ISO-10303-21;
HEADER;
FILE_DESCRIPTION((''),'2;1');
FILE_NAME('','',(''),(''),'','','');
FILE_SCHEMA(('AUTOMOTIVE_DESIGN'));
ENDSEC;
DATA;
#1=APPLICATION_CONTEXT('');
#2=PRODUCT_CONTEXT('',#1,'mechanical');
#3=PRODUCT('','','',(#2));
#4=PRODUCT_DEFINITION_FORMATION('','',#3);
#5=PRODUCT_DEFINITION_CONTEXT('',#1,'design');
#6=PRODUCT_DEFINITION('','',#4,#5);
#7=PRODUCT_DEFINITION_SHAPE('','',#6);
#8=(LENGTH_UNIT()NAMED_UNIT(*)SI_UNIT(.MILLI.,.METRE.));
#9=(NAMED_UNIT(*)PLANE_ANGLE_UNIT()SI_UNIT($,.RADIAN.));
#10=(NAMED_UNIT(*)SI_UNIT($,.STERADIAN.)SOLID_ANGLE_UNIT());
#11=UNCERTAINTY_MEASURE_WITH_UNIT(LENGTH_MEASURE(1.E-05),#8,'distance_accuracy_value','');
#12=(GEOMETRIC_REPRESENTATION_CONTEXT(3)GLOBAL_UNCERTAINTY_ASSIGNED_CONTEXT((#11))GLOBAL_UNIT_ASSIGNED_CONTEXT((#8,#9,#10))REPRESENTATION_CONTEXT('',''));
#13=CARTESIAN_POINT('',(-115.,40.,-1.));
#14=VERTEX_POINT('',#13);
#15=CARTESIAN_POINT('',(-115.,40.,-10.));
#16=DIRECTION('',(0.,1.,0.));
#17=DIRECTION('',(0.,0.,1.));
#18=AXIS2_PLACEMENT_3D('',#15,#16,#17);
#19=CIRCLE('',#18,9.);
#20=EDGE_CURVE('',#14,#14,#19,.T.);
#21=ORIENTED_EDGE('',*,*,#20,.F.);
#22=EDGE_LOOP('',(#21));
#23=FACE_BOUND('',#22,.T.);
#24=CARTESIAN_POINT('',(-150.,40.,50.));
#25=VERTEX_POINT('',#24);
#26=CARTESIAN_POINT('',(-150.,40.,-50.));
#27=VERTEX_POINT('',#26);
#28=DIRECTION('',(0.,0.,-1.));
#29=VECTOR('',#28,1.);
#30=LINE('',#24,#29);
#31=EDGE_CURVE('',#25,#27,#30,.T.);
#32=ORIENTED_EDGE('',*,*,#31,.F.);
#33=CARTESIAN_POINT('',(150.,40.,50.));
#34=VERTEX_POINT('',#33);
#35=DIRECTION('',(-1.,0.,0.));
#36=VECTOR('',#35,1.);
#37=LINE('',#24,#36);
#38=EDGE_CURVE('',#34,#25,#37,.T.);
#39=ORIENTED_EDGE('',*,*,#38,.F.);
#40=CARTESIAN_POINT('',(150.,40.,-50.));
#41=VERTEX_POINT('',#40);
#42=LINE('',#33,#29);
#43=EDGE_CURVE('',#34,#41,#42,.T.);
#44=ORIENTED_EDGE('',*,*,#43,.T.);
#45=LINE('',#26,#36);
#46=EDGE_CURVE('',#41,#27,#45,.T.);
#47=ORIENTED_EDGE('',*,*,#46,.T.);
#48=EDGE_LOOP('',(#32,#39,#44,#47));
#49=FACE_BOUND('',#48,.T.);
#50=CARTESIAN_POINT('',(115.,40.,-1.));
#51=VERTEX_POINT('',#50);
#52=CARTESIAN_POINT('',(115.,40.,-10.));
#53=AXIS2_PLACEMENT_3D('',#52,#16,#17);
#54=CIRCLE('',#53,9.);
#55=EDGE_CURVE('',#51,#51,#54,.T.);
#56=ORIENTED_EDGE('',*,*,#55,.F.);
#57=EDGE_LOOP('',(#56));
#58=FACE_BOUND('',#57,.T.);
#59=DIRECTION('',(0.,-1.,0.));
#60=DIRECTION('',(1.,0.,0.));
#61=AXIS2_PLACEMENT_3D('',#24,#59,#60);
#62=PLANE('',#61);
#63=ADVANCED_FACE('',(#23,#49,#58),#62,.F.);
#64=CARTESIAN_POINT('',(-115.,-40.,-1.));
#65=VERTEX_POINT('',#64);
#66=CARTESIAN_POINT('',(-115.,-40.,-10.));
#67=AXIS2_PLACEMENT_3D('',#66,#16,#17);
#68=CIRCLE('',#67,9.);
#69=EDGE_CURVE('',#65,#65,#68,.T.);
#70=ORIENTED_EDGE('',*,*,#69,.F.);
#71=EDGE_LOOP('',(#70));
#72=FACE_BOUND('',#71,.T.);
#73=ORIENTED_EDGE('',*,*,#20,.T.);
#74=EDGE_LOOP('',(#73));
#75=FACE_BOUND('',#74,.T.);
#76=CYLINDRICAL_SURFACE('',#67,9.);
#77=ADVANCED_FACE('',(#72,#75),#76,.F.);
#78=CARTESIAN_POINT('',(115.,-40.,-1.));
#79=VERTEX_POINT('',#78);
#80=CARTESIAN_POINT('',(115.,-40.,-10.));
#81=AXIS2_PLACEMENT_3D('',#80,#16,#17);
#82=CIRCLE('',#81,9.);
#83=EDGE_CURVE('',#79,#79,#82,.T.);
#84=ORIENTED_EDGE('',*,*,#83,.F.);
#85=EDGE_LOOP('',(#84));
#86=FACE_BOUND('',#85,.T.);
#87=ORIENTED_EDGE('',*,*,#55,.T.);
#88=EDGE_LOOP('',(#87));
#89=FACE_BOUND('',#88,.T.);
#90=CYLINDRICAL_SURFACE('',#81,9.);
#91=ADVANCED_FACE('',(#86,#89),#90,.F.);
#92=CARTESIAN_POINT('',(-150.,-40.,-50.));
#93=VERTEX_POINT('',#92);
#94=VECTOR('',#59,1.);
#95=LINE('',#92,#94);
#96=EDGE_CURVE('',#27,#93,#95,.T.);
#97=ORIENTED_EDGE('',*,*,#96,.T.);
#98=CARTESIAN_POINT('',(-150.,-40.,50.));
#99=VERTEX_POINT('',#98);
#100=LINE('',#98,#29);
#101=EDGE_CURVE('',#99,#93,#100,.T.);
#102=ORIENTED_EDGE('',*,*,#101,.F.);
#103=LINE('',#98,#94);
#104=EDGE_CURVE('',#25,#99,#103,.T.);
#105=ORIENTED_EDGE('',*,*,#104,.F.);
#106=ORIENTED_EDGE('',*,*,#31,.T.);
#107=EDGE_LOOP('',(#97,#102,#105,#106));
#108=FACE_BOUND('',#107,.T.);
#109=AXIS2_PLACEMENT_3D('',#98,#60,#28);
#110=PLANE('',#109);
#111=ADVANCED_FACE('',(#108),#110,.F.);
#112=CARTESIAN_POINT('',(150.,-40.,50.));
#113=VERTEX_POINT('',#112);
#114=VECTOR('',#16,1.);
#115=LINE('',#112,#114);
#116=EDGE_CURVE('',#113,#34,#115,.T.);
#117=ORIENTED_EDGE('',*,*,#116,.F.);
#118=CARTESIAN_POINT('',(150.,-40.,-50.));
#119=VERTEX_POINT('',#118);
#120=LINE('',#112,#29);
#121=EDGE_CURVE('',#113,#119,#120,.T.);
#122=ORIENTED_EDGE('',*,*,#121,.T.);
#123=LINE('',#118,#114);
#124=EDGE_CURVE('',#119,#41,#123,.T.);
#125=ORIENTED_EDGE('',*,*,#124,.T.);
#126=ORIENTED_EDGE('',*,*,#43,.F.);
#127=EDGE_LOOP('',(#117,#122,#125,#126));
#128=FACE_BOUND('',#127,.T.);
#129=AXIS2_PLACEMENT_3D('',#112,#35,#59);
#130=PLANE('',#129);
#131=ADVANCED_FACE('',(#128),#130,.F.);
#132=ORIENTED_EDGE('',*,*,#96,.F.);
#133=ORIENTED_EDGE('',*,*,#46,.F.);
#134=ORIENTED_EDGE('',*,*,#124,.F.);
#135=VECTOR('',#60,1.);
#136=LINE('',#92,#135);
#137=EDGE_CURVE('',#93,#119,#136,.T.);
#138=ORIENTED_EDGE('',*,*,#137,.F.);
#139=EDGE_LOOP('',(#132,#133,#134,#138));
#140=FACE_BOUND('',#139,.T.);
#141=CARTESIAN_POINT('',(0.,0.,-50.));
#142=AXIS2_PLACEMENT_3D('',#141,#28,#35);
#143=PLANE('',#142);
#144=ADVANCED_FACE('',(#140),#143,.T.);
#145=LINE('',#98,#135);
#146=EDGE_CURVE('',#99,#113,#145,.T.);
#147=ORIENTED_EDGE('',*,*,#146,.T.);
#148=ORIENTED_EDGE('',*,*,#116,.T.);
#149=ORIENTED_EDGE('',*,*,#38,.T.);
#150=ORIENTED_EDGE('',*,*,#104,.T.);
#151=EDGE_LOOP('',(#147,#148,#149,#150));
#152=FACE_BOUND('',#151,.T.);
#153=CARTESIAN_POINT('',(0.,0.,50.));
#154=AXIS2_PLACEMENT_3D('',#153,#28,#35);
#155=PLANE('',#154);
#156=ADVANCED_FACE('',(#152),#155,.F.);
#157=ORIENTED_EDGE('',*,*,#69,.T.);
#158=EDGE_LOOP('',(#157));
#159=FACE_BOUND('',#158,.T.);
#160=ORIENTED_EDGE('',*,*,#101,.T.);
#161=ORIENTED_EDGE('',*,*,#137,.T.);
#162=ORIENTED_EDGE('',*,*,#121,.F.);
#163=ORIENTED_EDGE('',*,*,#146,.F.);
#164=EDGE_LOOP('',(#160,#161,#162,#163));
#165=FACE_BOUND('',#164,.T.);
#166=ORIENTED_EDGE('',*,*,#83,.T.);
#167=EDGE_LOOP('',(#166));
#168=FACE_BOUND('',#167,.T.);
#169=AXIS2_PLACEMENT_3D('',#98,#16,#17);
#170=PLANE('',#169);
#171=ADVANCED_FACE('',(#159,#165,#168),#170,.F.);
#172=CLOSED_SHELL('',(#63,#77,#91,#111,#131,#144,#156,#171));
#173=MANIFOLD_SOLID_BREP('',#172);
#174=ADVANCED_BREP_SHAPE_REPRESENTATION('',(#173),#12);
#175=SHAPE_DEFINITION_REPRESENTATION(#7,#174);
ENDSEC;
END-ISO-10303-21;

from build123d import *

# Parameters (mm, degrees)
SKETCH1_W               = 300
SKETCH1_H               = 80
BOSS_EXTRUDE1_DEPTH     = 50
SKETCH2_R               = 9
CUT_EXTRUDE1_DEPTH      = 41
CUT_EXTRUDE1_DEPTH_BACK = 41


with BuildPart() as part:
    # Sketch1 → Boss-Extrude1 (new body, symmetric)
    with BuildSketch(Plane.XY):
        Rectangle(SKETCH1_W, SKETCH1_H)
    extrude(amount=BOSS_EXTRUDE1_DEPTH, both=True)

    # Sketch2 → Cut-Extrude1 (cut, two sides)
    with BuildSketch(Plane(origin=(0, 0, 0), x_dir=(1, 0, 0), z_dir=(0, 1, 0))) as cut_extrude1_sk:
        with Locations((-115, 10)):
            Circle(SKETCH2_R)
        with Locations((115, 10)):
            Circle(SKETCH2_R)
    extrude(amount=CUT_EXTRUDE1_DEPTH, mode=Mode.SUBTRACT)
    extrude(cut_extrude1_sk.sketch, amount=-CUT_EXTRUDE1_DEPTH_BACK, mode=Mode.SUBTRACT)


solid = part.part
